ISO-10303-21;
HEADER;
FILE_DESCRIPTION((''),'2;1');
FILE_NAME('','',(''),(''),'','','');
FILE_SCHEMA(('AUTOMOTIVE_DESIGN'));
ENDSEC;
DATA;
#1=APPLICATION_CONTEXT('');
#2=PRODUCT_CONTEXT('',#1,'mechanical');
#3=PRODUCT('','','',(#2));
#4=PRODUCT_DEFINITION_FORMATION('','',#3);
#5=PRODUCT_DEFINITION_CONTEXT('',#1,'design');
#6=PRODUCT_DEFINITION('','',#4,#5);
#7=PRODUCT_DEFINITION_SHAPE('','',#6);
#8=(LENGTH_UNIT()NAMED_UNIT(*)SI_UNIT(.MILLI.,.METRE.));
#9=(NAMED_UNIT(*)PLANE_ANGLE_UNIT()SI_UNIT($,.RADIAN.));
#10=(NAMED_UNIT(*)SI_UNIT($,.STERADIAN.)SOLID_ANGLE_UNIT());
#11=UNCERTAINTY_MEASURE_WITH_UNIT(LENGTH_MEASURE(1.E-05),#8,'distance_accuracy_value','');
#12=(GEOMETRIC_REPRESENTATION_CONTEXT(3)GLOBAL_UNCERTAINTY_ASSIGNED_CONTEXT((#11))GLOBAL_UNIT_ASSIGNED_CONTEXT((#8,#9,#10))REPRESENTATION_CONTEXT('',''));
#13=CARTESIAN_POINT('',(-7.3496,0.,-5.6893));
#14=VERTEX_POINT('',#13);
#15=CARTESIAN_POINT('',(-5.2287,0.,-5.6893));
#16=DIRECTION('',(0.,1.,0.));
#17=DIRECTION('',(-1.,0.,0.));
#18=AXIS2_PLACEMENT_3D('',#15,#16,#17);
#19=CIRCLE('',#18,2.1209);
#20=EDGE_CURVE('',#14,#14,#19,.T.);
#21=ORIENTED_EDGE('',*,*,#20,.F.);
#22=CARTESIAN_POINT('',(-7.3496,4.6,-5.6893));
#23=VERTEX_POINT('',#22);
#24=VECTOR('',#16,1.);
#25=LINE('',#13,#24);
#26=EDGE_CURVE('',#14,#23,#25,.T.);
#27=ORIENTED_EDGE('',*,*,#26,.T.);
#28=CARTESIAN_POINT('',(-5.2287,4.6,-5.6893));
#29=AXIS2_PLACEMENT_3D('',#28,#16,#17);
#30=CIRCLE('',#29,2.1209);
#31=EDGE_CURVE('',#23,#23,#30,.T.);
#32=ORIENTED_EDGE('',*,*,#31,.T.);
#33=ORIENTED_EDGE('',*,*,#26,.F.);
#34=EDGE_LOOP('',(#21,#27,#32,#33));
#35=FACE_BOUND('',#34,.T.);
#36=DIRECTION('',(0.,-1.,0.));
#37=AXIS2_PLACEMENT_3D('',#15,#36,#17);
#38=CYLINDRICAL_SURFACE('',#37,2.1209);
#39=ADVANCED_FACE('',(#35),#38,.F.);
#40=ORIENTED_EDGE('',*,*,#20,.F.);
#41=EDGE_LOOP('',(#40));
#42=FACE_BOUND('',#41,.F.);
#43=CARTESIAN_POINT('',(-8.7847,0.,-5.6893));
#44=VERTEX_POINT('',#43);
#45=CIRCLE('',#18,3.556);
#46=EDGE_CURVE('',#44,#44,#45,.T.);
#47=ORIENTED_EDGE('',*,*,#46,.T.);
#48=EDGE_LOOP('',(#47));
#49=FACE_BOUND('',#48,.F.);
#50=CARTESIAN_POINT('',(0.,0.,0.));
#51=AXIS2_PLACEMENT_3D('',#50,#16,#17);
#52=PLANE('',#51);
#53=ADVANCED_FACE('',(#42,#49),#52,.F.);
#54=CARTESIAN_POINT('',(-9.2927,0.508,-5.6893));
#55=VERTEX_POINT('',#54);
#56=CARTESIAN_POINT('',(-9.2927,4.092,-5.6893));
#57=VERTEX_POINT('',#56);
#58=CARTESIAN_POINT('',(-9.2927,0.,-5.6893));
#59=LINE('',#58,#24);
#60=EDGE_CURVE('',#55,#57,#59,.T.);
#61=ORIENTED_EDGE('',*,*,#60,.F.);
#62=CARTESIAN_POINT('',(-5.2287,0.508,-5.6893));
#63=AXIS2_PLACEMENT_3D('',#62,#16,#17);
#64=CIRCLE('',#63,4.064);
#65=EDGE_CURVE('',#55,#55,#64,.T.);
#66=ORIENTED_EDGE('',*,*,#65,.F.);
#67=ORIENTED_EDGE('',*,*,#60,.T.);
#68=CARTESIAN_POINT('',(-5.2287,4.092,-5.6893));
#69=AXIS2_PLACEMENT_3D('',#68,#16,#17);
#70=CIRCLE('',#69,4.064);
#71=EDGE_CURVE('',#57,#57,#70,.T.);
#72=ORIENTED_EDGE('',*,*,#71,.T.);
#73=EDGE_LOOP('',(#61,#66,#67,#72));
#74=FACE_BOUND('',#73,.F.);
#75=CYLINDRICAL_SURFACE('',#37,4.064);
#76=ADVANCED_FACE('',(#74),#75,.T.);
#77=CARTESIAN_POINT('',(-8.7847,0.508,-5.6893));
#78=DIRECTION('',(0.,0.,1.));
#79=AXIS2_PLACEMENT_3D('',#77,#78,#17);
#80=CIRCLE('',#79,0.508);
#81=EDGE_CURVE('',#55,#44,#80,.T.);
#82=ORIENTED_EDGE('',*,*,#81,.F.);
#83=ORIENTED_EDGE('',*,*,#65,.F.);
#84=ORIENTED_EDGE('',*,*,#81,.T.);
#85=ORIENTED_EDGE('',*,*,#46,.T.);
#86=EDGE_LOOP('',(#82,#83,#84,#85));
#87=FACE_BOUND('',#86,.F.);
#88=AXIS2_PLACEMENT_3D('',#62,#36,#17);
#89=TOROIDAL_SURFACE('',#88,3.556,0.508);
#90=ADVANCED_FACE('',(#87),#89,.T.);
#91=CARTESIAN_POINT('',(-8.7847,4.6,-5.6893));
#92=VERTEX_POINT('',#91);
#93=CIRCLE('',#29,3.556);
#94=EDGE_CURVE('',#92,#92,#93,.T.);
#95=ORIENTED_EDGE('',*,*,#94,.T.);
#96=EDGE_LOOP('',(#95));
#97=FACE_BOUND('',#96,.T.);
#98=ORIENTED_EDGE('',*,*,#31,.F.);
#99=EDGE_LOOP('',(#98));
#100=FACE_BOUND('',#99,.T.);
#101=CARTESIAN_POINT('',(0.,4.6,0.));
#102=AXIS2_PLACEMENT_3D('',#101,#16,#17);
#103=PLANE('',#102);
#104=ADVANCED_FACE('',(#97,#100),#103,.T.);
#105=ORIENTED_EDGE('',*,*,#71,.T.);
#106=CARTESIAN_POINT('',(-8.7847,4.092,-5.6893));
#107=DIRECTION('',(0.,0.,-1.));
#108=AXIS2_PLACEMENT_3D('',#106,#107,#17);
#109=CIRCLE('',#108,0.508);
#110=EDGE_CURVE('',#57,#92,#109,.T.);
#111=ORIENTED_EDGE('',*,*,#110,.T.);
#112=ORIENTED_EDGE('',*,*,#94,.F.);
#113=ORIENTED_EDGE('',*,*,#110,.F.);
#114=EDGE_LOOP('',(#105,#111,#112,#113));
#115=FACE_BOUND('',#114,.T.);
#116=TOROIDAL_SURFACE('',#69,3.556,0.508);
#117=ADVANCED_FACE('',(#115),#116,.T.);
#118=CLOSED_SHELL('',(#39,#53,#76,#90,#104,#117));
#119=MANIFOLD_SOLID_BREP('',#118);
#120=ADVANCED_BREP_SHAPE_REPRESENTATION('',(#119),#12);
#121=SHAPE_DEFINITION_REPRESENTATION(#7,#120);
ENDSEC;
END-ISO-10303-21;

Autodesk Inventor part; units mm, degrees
ref_plane "YZ Plane" through (0, 0, 0) normal (1, 0, 0) x (0, 1, 0)
ref_plane "XZ Plane" through (0, 0, 0) normal (0, 1, 0) x (-1, 0, 0)
ref_plane "XY Plane" through (0, 0, 0) normal (0, 0, 1) x (1, 0, 0)
sketch "Sketch1" plane through (0, 0, 0) normal (0, 1, 0) x (-1, 0, 0)
  circle A0 centre (5.2287, -5.6893) radius 4.064
  circle A1 centre (5.2287, -5.6893) radius 2.1209
  point P0 (0, 0)
  dimension "d0" = 8.128
  dimension "d1" = 4.2418
extrude "Extrusion1" add sketch "Sketch1" along normal blind 4.6
fillet "Fillet1" radius 0.508 2 edges at (-1.1647, 4.6, -5.6893) (-1.1647, 0, -5.6893)
properties part number "Spacer (Plastic)" material "Acetal Resin, Black"
